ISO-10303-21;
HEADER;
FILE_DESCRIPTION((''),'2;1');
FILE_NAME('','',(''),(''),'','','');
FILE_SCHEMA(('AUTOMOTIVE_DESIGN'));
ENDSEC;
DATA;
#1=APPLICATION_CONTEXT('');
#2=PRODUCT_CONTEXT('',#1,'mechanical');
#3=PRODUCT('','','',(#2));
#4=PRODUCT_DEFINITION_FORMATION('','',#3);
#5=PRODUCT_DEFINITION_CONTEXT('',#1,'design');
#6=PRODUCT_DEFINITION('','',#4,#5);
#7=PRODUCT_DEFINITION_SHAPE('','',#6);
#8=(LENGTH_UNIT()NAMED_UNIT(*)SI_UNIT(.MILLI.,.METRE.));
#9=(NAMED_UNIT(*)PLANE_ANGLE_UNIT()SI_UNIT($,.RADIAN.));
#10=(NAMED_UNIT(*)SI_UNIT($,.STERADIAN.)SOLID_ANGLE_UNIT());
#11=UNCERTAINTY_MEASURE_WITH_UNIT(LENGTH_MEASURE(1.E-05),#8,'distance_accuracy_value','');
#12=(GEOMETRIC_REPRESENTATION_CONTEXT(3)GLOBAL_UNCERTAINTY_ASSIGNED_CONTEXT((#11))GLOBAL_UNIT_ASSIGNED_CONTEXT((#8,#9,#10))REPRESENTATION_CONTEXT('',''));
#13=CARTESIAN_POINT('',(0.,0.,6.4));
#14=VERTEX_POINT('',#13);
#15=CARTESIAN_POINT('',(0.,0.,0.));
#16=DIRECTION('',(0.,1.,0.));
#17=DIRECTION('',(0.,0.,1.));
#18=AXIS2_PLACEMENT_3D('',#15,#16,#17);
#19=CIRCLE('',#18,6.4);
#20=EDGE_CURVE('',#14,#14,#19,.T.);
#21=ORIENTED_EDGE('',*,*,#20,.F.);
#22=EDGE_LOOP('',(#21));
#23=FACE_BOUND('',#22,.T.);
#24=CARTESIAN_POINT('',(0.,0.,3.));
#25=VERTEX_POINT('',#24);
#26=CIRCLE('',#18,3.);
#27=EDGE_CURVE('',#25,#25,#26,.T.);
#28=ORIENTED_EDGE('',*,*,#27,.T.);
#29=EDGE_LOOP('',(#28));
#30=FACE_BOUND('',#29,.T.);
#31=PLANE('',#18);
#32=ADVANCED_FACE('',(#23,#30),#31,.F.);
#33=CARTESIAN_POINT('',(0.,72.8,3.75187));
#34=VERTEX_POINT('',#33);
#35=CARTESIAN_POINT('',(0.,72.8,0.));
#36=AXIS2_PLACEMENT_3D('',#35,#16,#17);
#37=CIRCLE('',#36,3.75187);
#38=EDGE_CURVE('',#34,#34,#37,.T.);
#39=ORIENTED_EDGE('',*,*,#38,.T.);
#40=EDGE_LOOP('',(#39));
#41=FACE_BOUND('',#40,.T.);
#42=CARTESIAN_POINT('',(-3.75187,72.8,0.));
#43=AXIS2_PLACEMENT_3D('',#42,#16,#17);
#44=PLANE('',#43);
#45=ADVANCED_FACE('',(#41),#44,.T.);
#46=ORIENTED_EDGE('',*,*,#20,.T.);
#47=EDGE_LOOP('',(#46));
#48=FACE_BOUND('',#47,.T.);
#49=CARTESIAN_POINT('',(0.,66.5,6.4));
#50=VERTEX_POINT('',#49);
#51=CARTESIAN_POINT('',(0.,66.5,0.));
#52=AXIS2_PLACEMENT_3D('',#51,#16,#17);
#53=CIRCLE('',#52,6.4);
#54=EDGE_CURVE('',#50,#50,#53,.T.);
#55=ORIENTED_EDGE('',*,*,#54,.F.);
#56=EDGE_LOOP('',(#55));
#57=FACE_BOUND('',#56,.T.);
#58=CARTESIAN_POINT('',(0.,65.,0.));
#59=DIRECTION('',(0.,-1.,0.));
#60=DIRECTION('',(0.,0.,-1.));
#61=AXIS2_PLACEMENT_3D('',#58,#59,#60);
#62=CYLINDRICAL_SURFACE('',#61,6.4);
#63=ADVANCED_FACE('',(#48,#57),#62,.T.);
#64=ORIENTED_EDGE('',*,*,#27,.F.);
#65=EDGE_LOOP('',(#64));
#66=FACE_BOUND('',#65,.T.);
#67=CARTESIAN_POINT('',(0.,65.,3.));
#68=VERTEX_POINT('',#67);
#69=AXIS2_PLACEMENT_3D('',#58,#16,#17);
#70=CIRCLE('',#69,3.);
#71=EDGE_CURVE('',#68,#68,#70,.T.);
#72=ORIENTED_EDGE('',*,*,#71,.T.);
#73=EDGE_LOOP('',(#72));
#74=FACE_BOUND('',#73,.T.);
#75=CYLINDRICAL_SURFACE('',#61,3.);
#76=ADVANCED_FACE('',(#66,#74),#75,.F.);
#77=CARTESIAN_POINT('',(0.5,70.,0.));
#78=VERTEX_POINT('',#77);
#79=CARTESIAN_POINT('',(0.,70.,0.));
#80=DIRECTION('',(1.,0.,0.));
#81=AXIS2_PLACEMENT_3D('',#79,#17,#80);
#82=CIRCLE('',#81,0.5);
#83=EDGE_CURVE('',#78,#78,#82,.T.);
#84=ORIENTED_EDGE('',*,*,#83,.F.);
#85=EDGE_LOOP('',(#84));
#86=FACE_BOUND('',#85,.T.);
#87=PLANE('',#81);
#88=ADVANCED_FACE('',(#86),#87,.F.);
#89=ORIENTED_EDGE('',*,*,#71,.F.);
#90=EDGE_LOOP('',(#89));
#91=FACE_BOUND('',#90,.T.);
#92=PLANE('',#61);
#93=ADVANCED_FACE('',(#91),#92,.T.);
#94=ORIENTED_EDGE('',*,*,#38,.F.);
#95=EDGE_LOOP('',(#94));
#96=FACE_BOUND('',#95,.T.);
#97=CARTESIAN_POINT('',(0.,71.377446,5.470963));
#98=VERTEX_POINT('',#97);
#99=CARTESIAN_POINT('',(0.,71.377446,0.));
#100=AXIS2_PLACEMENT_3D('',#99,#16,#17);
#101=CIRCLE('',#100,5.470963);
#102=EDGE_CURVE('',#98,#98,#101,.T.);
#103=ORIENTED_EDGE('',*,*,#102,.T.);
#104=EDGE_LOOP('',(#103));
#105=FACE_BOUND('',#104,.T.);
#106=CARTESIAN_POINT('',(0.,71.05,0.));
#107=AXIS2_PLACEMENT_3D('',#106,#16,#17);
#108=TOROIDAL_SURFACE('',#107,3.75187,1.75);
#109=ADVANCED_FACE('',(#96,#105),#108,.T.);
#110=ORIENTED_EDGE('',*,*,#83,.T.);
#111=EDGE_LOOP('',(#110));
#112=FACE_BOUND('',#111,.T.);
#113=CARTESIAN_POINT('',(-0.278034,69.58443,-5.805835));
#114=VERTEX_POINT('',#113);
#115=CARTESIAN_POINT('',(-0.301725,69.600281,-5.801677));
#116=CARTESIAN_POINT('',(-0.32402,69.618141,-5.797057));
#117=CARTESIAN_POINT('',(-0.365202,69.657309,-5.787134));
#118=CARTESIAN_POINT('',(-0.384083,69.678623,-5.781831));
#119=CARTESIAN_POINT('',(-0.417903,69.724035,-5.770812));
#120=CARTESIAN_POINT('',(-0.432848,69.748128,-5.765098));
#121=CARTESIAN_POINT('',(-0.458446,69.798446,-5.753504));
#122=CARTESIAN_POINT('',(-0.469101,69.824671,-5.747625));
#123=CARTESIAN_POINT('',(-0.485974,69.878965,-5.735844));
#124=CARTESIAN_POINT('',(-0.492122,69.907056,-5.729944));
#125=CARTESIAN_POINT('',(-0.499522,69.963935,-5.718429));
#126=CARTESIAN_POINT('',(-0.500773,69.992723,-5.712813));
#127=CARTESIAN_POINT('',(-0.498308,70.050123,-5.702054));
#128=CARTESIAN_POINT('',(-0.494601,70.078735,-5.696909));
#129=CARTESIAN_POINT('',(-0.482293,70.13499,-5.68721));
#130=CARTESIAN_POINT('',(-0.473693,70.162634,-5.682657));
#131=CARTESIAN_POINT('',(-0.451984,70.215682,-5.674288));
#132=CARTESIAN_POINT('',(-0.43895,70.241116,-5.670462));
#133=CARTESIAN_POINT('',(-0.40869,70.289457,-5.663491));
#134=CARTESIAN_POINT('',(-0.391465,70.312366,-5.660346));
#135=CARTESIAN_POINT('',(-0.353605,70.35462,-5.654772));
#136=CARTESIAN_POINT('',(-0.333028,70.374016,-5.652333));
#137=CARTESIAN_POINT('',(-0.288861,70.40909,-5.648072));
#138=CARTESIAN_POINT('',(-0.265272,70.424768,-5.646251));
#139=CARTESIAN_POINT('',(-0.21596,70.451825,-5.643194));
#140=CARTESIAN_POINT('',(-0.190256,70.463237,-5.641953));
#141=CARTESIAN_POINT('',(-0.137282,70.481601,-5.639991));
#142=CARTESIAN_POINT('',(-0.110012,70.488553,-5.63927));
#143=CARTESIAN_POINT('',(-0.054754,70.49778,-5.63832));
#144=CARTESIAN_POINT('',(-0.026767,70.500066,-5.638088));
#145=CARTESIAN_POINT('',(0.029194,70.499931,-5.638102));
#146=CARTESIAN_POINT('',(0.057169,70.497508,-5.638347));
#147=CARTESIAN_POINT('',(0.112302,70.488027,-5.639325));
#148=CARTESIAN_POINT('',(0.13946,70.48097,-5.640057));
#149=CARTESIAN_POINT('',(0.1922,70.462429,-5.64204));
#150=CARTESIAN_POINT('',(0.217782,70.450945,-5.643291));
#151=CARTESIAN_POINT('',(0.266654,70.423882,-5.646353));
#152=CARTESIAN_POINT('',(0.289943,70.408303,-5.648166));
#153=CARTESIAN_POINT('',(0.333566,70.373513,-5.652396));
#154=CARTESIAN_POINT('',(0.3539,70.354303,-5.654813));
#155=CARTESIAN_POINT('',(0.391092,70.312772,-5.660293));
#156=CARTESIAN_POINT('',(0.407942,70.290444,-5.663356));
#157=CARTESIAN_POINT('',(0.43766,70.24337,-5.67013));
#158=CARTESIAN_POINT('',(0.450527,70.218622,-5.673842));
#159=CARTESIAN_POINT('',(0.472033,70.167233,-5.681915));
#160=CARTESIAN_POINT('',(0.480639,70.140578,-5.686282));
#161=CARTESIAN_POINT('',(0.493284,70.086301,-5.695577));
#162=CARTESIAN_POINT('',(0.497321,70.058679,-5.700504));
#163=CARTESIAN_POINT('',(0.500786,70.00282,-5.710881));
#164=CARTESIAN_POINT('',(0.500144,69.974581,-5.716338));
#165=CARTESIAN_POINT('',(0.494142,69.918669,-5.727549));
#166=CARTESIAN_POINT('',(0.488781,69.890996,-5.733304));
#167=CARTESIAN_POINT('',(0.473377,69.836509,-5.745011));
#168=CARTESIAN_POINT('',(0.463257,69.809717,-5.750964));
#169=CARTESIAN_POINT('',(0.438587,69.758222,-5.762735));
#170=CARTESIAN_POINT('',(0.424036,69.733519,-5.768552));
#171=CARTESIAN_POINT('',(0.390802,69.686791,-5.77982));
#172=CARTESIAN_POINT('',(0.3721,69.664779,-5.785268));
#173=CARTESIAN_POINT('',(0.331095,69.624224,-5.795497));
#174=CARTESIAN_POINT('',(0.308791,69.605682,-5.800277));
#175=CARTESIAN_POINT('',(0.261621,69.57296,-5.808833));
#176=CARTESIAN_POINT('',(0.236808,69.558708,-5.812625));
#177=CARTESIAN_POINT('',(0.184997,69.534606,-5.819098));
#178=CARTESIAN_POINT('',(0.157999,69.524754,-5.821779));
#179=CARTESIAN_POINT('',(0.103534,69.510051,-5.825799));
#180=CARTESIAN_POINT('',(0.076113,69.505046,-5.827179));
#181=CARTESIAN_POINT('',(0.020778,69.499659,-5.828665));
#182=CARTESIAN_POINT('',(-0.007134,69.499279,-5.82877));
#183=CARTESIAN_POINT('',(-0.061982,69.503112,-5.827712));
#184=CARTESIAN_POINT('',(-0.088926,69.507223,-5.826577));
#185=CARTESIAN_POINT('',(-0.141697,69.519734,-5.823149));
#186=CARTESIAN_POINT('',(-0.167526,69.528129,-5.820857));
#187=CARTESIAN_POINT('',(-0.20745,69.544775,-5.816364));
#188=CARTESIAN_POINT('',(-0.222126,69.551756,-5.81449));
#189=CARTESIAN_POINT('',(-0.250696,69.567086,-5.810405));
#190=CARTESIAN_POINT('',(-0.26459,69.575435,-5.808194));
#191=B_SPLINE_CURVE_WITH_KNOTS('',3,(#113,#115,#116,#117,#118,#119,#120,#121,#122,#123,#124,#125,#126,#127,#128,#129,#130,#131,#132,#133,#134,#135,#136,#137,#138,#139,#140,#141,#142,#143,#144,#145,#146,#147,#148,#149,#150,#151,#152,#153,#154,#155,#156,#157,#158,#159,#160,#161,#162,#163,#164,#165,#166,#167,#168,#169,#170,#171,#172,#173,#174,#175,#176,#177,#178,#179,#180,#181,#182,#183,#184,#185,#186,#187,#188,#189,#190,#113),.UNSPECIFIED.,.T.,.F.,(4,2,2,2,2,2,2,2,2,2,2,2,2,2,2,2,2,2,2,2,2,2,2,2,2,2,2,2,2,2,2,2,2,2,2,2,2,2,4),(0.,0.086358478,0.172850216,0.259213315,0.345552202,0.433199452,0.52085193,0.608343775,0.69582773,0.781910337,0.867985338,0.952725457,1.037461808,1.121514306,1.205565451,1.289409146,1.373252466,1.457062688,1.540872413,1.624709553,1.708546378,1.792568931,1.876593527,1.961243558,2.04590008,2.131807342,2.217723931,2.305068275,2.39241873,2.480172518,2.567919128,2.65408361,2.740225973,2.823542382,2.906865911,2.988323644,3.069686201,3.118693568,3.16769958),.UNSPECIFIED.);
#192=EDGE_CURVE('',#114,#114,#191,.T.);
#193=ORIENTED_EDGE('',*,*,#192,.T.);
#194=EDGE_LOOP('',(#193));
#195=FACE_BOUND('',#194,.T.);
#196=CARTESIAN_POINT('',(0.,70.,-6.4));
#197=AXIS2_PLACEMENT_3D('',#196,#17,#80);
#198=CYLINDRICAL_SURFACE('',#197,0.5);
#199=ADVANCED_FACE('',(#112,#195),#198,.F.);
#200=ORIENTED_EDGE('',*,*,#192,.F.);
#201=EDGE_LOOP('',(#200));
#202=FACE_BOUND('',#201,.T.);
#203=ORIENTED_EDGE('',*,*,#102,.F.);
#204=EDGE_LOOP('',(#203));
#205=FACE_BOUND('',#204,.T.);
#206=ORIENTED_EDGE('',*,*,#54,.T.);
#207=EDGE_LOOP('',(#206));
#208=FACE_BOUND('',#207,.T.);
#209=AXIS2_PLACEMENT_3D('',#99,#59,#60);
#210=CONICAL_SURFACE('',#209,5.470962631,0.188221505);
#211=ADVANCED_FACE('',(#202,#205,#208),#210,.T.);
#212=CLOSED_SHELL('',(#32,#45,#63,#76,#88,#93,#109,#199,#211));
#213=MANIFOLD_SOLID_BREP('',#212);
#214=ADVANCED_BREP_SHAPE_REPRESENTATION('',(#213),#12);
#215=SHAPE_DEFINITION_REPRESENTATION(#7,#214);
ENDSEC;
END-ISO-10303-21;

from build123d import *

# Parameters (mm, degrees)
SKETCH1_R           = 6.4
SKETCH1_R_2         = 3
BOSS_EXTRUDE2_DEPTH = 65
SKETCH4_R           = 0.5
CUT_EXTRUDE1_DEPTH  = 7.4


with BuildPart() as part:
    # Sketch1 → Boss-Extrude2 (new body)
    with BuildSketch(Plane(origin=(0, 0, 0), x_dir=(1, 0, 0), z_dir=(0, 1, 0))):
        Circle(SKETCH1_R)
        Circle(SKETCH1_R_2, mode=Mode.SUBTRACT)
    extrude(amount=BOSS_EXTRUDE2_DEPTH)

    # Sketch2 → Revolve2 (revolve)
    with BuildSketch(Plane.XY):
        with BuildLine():
            Line((-6.4, 65), (-6.4, 66.5))
            Line((-6.4, 66.5), (-5.470962631, 71.377446189))
            ThreePointArc((-5.470962631, 71.377446189), (-4.867546878, 72.39824531), (-3.751870139, 72.8))
            Line((-3.751870139, 72.8), (0, 72.8))
            Line((0, 72.8), (0, 65))
            Line((0, 65), (-6.4, 65))
        make_face()
    revolve(axis=Axis((0, 72.8, 0), (0, -1, 0)))

    # Sketch4 → Cut-Extrude1 (cut, through all)
    with BuildSketch(Plane.XY):
        with Locations((0, 70)):
            Circle(SKETCH4_R)
    extrude(amount=-CUT_EXTRUDE1_DEPTH, mode=Mode.SUBTRACT)


solid = part.part
